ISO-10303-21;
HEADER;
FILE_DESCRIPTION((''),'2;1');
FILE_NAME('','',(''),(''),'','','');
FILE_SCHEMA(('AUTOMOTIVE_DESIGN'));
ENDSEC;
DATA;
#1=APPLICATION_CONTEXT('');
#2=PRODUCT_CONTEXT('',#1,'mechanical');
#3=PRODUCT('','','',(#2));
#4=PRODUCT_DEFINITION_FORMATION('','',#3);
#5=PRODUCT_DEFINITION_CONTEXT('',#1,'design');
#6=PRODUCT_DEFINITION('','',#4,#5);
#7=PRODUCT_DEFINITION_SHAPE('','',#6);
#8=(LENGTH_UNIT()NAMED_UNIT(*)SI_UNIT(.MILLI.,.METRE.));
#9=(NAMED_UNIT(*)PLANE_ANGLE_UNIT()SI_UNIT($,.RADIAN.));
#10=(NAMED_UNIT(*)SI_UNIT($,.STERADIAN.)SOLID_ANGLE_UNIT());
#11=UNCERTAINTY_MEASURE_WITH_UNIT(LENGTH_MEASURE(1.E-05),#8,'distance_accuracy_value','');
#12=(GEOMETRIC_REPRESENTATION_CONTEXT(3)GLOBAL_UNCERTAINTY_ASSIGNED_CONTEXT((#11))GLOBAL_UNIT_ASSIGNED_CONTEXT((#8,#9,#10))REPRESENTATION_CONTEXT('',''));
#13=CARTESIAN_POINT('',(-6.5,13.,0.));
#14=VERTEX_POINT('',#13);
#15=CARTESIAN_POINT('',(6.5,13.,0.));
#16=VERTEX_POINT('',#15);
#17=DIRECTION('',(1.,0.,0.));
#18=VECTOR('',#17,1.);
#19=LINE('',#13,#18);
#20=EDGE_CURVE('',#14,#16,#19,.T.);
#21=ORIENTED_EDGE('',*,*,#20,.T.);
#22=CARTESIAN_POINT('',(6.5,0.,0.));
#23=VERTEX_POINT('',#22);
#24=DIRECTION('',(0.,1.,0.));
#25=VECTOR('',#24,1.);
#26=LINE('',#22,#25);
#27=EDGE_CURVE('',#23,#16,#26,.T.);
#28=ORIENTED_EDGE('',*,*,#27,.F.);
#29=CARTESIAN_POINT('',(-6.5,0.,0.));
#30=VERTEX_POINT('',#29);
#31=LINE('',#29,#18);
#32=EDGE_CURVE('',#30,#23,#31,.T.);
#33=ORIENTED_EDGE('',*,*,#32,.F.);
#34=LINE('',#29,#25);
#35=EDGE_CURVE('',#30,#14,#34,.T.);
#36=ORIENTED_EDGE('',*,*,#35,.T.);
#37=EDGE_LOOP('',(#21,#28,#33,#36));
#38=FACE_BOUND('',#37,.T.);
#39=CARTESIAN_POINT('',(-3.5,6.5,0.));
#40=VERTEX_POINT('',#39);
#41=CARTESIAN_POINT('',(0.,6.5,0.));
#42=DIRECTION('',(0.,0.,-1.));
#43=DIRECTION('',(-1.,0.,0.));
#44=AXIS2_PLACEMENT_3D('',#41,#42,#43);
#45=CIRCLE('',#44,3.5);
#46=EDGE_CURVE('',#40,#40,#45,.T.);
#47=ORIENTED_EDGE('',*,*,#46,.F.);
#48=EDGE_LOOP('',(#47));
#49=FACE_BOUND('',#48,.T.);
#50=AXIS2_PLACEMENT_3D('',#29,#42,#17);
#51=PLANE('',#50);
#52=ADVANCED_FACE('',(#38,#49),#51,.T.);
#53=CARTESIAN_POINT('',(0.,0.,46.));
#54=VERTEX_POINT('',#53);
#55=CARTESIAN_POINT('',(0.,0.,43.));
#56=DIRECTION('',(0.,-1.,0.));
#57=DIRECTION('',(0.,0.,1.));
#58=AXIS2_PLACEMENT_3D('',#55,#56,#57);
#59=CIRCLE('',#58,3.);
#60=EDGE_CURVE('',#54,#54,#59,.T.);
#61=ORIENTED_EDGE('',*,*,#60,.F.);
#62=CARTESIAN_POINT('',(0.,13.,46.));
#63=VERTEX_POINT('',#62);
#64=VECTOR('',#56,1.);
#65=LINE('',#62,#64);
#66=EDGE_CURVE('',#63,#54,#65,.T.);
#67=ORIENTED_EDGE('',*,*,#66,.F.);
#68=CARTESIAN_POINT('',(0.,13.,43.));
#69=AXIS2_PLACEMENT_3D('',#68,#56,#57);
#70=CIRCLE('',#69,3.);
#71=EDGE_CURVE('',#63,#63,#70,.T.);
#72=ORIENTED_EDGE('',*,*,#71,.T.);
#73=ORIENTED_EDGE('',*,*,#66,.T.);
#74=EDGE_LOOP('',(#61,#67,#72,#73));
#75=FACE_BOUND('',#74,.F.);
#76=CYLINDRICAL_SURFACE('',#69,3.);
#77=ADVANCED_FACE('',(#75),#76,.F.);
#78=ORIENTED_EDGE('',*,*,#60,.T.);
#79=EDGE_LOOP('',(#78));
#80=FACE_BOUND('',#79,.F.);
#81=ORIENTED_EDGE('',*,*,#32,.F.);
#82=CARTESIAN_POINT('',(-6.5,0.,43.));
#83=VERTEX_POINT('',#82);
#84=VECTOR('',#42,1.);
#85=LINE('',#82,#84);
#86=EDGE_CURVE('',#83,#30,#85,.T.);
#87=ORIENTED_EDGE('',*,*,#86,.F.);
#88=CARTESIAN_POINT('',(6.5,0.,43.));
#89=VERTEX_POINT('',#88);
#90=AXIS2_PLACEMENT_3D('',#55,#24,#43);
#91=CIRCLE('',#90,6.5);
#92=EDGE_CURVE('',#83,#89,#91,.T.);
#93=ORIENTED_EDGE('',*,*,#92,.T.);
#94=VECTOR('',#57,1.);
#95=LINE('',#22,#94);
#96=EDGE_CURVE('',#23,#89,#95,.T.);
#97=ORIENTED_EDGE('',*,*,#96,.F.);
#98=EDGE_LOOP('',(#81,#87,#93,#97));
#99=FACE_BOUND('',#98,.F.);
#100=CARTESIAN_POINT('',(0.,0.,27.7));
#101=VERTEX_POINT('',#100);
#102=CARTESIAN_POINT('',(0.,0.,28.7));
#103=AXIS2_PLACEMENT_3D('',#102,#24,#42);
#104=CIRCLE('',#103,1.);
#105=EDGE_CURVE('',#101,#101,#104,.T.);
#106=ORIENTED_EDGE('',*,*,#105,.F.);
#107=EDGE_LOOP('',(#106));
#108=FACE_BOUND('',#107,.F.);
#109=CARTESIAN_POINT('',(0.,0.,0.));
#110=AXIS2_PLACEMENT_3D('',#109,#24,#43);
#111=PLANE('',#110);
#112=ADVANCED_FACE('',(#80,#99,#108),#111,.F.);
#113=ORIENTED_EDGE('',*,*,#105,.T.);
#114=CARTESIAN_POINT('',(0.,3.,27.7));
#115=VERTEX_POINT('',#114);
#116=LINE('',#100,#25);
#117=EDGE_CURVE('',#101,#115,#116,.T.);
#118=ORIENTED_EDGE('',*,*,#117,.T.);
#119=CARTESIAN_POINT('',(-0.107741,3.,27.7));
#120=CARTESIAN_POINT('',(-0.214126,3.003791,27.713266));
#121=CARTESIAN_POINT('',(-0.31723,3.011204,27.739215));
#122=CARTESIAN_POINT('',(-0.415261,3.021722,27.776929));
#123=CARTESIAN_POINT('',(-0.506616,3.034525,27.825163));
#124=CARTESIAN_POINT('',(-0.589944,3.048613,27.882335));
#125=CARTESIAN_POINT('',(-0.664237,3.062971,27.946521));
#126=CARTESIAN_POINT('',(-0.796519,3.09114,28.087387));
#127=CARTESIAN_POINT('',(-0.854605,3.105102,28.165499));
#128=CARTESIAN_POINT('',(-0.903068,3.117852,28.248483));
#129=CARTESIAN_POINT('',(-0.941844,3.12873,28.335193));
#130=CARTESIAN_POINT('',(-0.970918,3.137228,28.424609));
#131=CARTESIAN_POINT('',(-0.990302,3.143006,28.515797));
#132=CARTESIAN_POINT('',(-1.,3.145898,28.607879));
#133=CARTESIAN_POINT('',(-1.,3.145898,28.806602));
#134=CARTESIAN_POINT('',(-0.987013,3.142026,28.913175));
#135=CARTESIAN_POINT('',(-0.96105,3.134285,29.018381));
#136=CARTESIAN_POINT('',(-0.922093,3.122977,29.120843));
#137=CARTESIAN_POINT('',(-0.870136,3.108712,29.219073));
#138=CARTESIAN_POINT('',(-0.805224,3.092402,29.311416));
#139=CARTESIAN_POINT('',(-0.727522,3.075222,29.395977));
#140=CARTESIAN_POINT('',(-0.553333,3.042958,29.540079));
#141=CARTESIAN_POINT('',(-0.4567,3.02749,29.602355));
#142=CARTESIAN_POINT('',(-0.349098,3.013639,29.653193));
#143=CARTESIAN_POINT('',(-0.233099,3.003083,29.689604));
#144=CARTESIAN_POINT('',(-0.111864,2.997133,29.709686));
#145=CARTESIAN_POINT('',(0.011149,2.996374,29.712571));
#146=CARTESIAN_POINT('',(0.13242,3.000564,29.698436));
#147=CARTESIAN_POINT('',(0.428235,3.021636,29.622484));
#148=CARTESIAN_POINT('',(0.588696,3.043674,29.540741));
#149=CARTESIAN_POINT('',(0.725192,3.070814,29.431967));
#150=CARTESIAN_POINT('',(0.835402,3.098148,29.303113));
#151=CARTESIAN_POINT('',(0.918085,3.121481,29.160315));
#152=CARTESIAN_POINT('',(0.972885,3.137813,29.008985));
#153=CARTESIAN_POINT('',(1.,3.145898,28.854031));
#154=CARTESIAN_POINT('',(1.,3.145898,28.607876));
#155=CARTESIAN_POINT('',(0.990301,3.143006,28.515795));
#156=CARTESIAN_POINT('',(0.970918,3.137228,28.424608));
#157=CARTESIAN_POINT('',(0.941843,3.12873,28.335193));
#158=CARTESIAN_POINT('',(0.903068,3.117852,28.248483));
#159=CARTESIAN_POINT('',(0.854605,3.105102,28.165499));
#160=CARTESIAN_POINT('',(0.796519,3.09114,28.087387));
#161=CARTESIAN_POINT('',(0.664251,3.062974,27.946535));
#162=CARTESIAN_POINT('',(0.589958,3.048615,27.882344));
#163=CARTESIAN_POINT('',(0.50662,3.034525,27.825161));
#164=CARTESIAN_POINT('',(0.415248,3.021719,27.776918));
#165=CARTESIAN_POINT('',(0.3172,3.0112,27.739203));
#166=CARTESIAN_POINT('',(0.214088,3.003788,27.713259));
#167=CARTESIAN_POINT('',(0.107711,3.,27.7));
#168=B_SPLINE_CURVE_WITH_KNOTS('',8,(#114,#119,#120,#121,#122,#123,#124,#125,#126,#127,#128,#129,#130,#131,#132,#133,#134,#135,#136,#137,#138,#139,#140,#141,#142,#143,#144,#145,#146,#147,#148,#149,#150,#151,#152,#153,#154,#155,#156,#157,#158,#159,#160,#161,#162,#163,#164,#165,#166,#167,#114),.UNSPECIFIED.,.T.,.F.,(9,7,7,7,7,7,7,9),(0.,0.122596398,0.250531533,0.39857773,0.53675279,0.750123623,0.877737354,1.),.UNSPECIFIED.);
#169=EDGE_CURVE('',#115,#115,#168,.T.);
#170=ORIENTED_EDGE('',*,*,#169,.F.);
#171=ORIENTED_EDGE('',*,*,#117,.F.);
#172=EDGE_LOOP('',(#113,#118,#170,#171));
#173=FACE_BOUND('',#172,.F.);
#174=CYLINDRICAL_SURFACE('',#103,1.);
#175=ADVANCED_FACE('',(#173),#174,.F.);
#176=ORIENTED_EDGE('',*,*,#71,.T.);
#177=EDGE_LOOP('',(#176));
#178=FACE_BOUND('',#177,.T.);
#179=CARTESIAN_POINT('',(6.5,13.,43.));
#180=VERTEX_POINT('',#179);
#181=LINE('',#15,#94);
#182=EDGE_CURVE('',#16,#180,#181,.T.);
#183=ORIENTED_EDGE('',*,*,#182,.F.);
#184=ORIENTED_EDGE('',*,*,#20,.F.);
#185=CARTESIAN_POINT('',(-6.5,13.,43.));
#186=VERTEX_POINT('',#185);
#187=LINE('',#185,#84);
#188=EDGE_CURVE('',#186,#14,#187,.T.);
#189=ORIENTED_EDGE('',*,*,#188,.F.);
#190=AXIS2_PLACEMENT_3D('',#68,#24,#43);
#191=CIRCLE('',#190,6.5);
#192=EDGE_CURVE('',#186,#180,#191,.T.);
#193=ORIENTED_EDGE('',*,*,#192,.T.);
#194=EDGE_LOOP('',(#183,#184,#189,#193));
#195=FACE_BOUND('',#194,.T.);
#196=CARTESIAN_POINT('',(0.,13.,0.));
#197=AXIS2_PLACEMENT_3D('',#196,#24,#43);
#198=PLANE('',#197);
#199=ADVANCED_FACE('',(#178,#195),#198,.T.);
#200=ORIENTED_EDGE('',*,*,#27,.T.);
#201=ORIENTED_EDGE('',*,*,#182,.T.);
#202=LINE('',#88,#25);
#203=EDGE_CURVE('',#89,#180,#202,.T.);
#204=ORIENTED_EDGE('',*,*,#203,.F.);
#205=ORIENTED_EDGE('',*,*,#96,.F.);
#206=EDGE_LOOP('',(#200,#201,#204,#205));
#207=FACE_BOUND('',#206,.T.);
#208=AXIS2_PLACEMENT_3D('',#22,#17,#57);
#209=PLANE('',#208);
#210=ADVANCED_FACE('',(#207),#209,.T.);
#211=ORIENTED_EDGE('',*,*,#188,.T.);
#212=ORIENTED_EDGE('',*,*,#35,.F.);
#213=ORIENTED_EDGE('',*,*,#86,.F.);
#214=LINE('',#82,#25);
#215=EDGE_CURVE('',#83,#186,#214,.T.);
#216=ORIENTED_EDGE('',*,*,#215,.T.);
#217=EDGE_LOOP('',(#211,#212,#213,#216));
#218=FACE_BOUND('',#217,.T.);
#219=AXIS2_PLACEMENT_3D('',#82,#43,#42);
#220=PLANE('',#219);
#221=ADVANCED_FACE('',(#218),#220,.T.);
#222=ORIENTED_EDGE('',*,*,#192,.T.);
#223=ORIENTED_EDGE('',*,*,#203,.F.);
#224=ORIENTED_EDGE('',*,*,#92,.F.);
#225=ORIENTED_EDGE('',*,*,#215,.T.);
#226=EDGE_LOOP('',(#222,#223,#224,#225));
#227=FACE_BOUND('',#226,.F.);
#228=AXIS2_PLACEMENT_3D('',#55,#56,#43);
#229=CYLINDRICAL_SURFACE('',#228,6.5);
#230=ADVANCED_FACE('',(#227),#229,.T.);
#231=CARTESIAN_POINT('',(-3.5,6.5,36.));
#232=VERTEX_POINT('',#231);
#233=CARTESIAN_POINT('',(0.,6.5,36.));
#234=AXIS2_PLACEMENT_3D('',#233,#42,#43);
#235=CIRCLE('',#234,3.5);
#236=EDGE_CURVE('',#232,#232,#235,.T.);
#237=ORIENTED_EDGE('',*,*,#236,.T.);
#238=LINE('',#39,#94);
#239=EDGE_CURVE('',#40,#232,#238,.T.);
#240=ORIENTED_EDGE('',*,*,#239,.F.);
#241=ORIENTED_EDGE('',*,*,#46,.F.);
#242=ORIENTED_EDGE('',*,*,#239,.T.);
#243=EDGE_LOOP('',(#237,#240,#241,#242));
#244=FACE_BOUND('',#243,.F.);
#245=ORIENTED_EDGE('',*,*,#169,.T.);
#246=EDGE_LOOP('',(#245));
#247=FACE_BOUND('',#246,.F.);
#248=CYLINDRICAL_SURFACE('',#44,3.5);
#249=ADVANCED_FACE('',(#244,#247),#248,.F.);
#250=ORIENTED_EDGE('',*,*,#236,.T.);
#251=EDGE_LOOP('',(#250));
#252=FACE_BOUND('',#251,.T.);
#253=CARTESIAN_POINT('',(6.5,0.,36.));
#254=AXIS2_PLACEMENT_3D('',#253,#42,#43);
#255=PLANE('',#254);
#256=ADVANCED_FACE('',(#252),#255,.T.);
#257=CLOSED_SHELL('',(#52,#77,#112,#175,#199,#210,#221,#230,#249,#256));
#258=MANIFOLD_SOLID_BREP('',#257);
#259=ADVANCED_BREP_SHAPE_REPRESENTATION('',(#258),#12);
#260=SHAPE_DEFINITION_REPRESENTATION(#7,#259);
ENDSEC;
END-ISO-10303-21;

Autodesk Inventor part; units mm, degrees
ref_plane "YZ Plane" through (0, 0, 0) normal (1, 0, 0) x (0, 1, 0)
ref_plane "XZ Plane" through (0, 0, 0) normal (0, 1, 0) x (-1, 0, 0)
ref_plane "XY Plane" through (0, 0, 0) normal (0, 0, 1) x (1, 0, 0)
sketch "Skizze1" plane through (0, 0, 0) normal (0, 1, 0) x (-1, 0, 0)
  line L0 (6.5, 0) -> (-6.5, 0)
  line L1 (-6.5, 0) -> (-6.5, 43)
  arc A0 (6.5, 43) -> (-6.5, 43) centre (0, 43) ccw
  line L2 (6.5, 43) -> (6.5, 0)
  line L3 (0, 0) -> (0, 43) construction
  point P0 (0, 0)
  dimension "d0" = 13
  dimension "d1" = 43
  dimension "d2" = 6.5
  dimension "d3" = 6.5
extrude "Extrusion1" add sketch "Skizze1" along normal blind 13
sketch "Skizze2" plane through (0, 13, 0) normal (0, 1, 0) x (1, 0, 0)
  arc A0 (-6.5, -43) -> (6.5, -43) centre (0, -43) ccw projected
  point P0 (0, 0)
hole "Bohrung1" at (0, 13, 43) direction (0, -1, 0) diameter 6 depth 13
sketch "Skizze3" plane through (6.5, 0, 0) normal (0, 0, -1) x (-1, 0, 0)
  circle A0 centre (6.5, 6.5) radius 3.5
  line L0 (0, 0) -> (0, 13) projected
  line L1 (0, 0) -> (13, 0) projected
  point P0 (6.5, 0)
  point P1 (0, 6.5)
  point P2 (6.5, 0)
  dimension "d13" = 7
extrude "Extrusion2" cut sketch "Skizze3" against normal blind 36
sketch "Skizze4" plane through (0, 0, 0) normal (0, -1, 0) x (1, 0, 0)
  circle A0 centre (0, 43) radius 3 projected
  point P0 (0, 0)
  point P1 (0, 28.7)
  dimension "d23" = 14.3
hole "Bohrung2" at (0, 0, 28.7) direction (0, 1, 0) diameter 2 depth 4
properties part number "adapter" material "Aluminium 6061"
